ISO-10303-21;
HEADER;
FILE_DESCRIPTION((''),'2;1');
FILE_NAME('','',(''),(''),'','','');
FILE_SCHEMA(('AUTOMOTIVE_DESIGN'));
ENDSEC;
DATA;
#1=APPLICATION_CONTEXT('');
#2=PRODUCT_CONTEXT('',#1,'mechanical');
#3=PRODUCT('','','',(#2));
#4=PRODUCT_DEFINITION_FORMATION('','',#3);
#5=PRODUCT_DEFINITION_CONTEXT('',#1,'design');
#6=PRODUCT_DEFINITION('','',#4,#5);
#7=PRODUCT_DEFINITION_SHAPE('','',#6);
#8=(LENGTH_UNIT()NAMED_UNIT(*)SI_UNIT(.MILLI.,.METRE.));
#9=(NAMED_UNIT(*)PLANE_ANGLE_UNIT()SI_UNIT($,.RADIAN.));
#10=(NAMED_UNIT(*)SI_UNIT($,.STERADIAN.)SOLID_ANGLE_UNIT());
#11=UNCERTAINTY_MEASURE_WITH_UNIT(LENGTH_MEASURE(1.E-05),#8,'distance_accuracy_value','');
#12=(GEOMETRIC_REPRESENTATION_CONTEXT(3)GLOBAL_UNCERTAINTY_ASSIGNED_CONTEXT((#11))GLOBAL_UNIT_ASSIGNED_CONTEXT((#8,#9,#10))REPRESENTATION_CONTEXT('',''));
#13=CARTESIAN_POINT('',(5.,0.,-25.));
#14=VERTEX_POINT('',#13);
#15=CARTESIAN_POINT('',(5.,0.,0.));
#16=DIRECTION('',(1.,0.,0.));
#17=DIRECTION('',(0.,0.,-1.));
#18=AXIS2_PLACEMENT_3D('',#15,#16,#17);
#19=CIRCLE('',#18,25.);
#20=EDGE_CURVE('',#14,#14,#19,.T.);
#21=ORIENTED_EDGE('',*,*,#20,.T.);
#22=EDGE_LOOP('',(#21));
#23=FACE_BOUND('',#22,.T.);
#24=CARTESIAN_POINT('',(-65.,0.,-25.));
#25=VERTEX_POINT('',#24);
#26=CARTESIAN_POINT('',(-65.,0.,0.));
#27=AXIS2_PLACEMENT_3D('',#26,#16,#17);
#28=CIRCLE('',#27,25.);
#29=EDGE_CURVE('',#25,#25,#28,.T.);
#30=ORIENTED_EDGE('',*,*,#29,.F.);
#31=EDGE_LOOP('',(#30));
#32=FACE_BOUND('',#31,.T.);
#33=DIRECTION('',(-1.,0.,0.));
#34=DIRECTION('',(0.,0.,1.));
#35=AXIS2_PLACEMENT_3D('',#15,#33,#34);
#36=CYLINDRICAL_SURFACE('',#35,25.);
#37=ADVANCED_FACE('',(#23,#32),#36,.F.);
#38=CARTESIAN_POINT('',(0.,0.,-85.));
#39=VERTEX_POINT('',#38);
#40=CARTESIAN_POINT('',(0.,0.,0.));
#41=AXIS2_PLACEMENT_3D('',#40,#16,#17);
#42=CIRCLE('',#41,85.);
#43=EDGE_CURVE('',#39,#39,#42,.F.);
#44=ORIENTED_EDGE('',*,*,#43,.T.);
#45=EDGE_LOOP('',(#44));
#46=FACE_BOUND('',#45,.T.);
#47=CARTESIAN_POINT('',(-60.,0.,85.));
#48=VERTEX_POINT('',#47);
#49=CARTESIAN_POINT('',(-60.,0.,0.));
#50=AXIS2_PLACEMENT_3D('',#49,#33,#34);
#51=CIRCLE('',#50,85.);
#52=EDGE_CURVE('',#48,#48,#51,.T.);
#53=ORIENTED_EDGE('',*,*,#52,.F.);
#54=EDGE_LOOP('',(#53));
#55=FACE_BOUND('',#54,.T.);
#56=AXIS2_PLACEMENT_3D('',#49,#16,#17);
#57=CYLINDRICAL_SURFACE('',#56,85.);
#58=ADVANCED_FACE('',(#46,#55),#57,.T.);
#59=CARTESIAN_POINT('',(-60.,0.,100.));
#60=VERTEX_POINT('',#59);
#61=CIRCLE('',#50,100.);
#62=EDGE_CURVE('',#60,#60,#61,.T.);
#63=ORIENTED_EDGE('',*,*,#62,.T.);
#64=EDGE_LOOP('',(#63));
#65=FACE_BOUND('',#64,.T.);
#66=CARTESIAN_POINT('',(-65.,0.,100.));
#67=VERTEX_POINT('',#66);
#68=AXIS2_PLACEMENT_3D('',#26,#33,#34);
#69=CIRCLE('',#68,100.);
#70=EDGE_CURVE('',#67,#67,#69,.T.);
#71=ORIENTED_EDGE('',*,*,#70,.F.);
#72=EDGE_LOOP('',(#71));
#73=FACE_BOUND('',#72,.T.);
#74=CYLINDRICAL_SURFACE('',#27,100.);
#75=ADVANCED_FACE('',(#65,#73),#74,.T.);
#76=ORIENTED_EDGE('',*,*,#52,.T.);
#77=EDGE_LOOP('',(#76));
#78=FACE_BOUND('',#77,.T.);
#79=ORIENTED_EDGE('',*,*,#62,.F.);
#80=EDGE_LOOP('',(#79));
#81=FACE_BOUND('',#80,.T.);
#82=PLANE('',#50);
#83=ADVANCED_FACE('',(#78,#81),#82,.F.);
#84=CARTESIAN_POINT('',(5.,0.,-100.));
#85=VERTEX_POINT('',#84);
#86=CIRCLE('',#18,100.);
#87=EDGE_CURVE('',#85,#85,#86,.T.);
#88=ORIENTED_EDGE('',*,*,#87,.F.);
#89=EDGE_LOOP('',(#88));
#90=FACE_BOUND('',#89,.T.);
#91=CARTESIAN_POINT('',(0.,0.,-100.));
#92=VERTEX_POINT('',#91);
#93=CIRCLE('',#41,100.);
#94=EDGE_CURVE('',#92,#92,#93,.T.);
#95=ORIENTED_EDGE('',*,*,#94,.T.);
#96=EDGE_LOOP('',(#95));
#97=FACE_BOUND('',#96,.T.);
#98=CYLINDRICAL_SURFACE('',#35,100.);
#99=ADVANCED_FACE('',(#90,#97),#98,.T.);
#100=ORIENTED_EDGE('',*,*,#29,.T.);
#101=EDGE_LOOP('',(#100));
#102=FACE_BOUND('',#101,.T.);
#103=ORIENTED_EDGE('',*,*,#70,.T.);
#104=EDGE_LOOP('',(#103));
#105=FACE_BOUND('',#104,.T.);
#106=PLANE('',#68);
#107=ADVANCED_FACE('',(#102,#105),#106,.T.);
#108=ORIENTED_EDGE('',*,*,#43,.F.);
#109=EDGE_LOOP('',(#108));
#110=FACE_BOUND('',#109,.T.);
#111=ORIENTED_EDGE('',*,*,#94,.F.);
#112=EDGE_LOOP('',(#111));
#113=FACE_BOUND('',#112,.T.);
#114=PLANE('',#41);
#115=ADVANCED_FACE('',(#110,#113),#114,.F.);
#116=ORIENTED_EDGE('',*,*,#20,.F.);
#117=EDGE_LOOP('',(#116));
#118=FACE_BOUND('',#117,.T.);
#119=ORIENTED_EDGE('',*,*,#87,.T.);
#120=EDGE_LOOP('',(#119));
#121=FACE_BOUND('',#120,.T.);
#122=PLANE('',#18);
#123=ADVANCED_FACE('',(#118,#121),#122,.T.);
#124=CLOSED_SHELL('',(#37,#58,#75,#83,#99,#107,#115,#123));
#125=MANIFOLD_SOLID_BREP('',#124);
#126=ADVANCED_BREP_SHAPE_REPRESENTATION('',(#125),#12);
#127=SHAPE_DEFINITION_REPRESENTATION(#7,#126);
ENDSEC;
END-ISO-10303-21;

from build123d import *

# Parameters (mm, degrees)
CROQUIS1_R              = 100
CROQUIS1_R_2            = 25
SALIENTE_EXTRUIR1_DEPTH = 5
CROQUIS2_R              = 85
SALIENTE_EXTRUIR2_DEPTH = 60
CROQUIS3_R              = 100
SALIENTE_EXTRUIR3_DEPTH = 5
CROQUIS4_R              = 25
CORTAR_EXTRUIR1_DEPTH   = 65


with BuildPart() as part:
    # Croquis1 → Saliente-Extruir1 (new body)
    with BuildSketch(Plane(origin=(0, 0, 0), x_dir=(0, 0, -1), z_dir=(1, 0, 0))):
        Circle(CROQUIS1_R)
        Circle(CROQUIS1_R_2, mode=Mode.SUBTRACT)
    extrude(amount=SALIENTE_EXTRUIR1_DEPTH)

    # Croquis2 → Saliente-Extruir2 (add)
    with BuildSketch(Plane.ZY):
        Circle(CROQUIS2_R)
    extrude(amount=SALIENTE_EXTRUIR2_DEPTH)

    # Croquis3 → Saliente-Extruir3 (add)
    with BuildSketch(Plane.ZY.offset(60)):
        Circle(CROQUIS3_R)
    extrude(amount=SALIENTE_EXTRUIR3_DEPTH)

    # Croquis4 → Cortar-Extruir1 (cut)
    with BuildSketch(Plane(origin=(0, 0, 0), x_dir=(0, 0, -1), z_dir=(1, 0, 0))):
        Circle(CROQUIS4_R)
    extrude(amount=-CORTAR_EXTRUIR1_DEPTH, mode=Mode.SUBTRACT)


solid = part.part
